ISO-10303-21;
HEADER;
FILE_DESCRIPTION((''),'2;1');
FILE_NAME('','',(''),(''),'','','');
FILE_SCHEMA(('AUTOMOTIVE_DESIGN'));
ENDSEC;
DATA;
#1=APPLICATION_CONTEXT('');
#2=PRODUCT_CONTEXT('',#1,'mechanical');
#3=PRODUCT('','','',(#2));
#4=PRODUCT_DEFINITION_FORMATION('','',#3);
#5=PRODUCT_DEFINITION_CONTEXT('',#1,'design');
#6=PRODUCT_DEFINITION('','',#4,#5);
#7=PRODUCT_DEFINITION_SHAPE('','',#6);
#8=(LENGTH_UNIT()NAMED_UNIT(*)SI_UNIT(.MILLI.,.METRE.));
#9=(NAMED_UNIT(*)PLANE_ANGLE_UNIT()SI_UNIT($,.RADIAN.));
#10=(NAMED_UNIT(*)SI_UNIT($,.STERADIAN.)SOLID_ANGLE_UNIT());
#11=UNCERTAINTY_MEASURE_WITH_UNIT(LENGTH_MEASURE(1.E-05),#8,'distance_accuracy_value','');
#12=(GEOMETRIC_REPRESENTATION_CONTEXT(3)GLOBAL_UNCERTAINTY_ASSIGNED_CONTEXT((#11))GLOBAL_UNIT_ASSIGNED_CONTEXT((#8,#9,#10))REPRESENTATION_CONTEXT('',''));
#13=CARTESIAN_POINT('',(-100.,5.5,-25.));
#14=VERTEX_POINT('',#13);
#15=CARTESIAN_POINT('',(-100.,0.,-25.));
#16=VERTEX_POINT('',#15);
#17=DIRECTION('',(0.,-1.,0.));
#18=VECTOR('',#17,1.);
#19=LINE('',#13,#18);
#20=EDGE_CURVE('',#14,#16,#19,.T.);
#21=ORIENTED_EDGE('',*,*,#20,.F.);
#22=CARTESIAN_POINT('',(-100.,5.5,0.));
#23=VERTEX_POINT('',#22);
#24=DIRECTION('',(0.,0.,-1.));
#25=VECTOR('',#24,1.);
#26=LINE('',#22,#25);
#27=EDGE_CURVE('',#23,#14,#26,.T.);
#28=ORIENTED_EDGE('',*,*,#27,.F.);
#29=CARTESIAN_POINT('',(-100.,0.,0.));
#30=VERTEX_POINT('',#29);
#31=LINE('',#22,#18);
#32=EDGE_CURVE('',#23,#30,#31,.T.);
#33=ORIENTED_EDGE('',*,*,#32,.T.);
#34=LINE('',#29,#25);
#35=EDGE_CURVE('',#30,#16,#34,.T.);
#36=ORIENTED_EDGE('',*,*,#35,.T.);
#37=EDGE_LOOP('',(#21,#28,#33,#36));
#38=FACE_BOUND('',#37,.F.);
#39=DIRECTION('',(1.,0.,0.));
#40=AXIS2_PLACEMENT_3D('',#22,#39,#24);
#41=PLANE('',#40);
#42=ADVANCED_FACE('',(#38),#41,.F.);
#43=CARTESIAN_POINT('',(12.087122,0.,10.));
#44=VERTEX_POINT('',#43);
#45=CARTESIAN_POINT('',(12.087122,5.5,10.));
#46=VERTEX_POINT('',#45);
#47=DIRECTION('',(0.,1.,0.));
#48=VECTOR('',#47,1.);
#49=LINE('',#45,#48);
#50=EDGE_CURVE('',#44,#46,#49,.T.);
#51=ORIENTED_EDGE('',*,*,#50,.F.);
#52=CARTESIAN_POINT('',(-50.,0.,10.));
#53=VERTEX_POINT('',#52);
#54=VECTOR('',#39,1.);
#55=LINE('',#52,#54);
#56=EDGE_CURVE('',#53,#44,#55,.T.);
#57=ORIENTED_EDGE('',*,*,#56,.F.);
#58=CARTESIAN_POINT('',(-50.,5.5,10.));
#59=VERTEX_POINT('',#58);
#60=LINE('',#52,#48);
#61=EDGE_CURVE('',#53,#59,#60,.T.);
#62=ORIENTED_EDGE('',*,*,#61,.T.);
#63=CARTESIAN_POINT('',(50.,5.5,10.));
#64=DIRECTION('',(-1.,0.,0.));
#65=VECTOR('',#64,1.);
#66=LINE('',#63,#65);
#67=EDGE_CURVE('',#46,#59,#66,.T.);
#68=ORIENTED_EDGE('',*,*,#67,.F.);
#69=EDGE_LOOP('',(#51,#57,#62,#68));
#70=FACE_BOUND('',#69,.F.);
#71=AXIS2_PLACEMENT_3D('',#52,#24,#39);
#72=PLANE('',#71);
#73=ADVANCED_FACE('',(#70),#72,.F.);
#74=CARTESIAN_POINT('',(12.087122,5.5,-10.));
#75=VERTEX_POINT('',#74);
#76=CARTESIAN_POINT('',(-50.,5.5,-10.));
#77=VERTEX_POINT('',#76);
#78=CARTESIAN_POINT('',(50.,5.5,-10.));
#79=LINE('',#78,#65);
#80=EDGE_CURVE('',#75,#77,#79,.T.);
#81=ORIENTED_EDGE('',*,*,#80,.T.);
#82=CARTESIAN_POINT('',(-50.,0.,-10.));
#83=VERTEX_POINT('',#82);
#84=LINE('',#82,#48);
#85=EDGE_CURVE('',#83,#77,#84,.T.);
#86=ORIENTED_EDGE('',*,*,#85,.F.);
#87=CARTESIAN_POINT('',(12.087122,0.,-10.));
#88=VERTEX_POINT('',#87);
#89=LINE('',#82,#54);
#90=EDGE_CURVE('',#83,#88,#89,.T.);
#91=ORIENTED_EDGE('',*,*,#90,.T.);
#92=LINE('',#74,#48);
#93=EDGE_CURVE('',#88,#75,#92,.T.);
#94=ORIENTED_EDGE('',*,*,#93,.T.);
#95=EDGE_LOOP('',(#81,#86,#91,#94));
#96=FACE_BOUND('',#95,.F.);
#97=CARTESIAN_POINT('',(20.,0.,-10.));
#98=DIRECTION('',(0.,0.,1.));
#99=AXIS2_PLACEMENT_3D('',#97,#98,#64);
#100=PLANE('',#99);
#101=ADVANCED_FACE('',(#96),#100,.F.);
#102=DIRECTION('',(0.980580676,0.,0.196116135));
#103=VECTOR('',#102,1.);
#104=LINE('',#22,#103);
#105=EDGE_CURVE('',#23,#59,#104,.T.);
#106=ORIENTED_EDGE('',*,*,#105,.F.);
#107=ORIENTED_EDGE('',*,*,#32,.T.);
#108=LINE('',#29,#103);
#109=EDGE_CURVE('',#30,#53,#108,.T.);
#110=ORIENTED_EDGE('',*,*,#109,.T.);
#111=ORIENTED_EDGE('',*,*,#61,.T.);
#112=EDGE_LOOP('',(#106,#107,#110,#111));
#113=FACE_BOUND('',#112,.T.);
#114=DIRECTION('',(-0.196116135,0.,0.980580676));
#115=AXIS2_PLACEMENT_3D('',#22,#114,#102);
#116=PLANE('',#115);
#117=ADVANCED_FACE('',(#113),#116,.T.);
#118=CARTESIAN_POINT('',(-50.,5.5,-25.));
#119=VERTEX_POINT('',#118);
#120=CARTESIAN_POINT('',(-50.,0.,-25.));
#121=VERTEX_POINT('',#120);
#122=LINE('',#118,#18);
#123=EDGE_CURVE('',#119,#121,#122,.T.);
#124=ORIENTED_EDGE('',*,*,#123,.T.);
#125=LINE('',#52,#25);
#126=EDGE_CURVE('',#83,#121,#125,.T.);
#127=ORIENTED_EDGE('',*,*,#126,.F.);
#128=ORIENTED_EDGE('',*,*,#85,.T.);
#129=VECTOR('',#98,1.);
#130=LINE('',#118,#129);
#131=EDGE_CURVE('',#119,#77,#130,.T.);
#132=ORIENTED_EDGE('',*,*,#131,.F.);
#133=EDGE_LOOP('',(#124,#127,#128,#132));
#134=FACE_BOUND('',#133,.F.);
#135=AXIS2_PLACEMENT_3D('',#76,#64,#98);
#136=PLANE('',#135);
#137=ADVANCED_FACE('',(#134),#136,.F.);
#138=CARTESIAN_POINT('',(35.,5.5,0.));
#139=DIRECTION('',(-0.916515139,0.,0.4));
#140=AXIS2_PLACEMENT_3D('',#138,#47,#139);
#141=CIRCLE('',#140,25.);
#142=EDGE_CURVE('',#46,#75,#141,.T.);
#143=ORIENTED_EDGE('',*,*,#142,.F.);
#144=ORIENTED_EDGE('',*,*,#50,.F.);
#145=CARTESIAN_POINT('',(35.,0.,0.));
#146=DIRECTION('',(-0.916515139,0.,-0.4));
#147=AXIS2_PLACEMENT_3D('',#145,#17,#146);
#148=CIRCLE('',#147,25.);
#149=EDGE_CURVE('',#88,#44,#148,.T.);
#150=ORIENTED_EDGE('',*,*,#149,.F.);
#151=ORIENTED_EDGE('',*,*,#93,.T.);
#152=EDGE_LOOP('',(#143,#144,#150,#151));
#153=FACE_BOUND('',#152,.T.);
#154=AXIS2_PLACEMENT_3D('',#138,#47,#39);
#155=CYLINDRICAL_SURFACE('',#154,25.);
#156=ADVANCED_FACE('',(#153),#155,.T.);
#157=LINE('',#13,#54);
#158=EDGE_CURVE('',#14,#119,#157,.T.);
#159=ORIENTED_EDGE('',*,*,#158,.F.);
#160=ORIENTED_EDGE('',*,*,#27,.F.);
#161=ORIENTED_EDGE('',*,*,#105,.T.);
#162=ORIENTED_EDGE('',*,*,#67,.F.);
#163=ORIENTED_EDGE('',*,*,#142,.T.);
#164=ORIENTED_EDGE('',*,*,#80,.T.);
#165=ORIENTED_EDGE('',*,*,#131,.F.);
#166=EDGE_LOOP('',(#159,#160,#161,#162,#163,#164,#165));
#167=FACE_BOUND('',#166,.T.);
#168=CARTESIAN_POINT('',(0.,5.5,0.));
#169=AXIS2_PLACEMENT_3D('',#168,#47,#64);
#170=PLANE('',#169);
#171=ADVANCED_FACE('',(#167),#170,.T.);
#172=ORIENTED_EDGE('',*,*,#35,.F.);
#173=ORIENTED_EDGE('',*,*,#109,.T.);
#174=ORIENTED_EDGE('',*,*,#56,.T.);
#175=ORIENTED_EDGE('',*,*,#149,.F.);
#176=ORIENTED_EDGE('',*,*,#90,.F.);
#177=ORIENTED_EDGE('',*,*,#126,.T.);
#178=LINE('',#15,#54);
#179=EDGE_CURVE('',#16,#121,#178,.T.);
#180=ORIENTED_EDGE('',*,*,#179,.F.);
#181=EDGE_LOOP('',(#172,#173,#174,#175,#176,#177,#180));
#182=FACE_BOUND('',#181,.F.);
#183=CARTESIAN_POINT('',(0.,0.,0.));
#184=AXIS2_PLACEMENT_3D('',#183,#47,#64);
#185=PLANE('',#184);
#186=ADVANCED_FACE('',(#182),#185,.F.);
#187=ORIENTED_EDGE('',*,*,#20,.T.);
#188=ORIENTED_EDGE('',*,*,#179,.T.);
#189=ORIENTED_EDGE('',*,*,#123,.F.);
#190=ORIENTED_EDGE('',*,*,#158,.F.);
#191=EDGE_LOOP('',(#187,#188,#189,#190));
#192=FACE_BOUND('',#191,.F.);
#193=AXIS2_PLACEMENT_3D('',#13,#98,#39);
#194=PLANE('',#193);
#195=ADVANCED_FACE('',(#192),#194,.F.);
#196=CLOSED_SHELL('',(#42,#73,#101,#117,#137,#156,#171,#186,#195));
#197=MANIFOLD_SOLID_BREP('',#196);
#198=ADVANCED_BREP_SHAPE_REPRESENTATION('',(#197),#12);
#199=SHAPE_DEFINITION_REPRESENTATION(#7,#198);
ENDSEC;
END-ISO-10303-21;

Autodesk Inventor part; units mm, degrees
ref_plane "YZ Plane" through (0, 0, 0) normal (1, 0, 0) x (0, 1, 0)
ref_plane "XZ Plane" through (0, 0, 0) normal (0, 1, 0) x (-1, 0, 0)
ref_plane "XY Plane" through (0, 0, 0) normal (0, 0, 1) x (1, 0, 0)
sketch "Boceto1" plane through (0, 0, 0) normal (0, 1, 0) x (-1, 0, 0)
  line L0 (50, 10) -> (-50, 10)
  line L1 (-50, 10) -> (-50, -10)
  line L2 (-50, -10) -> (50, -10)
  line L3 (50, -10) -> (50, 10)
  line L4 (50, 10) -> (-50, -10) construction
  line L5 (-50, 10) -> (50, -10) construction
  line L6 (-50, -10) -> (-20, -10)
  line L7 (0, 0) -> (50, 0)
  line L8 (0, 0) -> (0, 10)
  dimension "d0" = 100
  dimension "d1" = 20
  dimension "d2" = 30
extrude "Extrusión1" add sketch "Boceto1" along normal blind 5.5 contours L3 L7 L8 L0
extrude "Extrusión2" add sketch "Boceto1" along normal blind 5.5 contours L8 L7 L3 L2 L1 L0
sketch "Boceto5" plane through (0, 5.5, 0) normal (0, 1, 0) x (1, 0, 0)
  line L0 (50, 10) -> (-50, 10) projected
  line L1 (20, 0) -> (50, 0)
  circle A0 centre (35, 0) radius 25
  line L2 (35, 25) -> (35, 20)
  line L3 (35, 20) -> (50, 20)
  line L4 (35, 20) -> (20, 20)
  line L5 (35, 0) -> (50, 0)
  point P0 (0, 0)
  point P1 (20, 10)
  dimension "d27" = 50
extrude "Extrusión8" add sketch "Boceto5" against normal blind 5.5
sketch "Boceto6" plane through (0, 5.5, 0) normal (0, 1, 0) x (1, 0, 0)
  line L0 (12.0871, 10) -> (-50, 10) projected
  line L1 (-50, 10) -> (-50, -10) projected
  line L2 (-50, -10) -> (12.0871, -10) projected
  arc A0 (12.0871, -10) -> (12.0871, 10) centre (35, 0) ccw projected
  line L3 (-50, 10) -> (-50, -10) projected
  line L4 (-50, 0) -> (-100, 0)
  line L5 (-100, 0) -> (-50, -10)
  line L6 (-100, 0) -> (-100, 50)
  line L7 (-100, 50) -> (-50, 50)
  line L8 (-50, 50) -> (-50, 0)
  line L9 (-100, 25) -> (-50, 25)
  point P0 (0, 0)
  dimension "d33" = 50
  dimension "d34" = 50
extrude "Extrusión9" add sketch "Boceto6" against normal blind 5.5 contours L1 L4 L6 L9 L8 | L1 L5 L4
properties part number "PINZA_I"
